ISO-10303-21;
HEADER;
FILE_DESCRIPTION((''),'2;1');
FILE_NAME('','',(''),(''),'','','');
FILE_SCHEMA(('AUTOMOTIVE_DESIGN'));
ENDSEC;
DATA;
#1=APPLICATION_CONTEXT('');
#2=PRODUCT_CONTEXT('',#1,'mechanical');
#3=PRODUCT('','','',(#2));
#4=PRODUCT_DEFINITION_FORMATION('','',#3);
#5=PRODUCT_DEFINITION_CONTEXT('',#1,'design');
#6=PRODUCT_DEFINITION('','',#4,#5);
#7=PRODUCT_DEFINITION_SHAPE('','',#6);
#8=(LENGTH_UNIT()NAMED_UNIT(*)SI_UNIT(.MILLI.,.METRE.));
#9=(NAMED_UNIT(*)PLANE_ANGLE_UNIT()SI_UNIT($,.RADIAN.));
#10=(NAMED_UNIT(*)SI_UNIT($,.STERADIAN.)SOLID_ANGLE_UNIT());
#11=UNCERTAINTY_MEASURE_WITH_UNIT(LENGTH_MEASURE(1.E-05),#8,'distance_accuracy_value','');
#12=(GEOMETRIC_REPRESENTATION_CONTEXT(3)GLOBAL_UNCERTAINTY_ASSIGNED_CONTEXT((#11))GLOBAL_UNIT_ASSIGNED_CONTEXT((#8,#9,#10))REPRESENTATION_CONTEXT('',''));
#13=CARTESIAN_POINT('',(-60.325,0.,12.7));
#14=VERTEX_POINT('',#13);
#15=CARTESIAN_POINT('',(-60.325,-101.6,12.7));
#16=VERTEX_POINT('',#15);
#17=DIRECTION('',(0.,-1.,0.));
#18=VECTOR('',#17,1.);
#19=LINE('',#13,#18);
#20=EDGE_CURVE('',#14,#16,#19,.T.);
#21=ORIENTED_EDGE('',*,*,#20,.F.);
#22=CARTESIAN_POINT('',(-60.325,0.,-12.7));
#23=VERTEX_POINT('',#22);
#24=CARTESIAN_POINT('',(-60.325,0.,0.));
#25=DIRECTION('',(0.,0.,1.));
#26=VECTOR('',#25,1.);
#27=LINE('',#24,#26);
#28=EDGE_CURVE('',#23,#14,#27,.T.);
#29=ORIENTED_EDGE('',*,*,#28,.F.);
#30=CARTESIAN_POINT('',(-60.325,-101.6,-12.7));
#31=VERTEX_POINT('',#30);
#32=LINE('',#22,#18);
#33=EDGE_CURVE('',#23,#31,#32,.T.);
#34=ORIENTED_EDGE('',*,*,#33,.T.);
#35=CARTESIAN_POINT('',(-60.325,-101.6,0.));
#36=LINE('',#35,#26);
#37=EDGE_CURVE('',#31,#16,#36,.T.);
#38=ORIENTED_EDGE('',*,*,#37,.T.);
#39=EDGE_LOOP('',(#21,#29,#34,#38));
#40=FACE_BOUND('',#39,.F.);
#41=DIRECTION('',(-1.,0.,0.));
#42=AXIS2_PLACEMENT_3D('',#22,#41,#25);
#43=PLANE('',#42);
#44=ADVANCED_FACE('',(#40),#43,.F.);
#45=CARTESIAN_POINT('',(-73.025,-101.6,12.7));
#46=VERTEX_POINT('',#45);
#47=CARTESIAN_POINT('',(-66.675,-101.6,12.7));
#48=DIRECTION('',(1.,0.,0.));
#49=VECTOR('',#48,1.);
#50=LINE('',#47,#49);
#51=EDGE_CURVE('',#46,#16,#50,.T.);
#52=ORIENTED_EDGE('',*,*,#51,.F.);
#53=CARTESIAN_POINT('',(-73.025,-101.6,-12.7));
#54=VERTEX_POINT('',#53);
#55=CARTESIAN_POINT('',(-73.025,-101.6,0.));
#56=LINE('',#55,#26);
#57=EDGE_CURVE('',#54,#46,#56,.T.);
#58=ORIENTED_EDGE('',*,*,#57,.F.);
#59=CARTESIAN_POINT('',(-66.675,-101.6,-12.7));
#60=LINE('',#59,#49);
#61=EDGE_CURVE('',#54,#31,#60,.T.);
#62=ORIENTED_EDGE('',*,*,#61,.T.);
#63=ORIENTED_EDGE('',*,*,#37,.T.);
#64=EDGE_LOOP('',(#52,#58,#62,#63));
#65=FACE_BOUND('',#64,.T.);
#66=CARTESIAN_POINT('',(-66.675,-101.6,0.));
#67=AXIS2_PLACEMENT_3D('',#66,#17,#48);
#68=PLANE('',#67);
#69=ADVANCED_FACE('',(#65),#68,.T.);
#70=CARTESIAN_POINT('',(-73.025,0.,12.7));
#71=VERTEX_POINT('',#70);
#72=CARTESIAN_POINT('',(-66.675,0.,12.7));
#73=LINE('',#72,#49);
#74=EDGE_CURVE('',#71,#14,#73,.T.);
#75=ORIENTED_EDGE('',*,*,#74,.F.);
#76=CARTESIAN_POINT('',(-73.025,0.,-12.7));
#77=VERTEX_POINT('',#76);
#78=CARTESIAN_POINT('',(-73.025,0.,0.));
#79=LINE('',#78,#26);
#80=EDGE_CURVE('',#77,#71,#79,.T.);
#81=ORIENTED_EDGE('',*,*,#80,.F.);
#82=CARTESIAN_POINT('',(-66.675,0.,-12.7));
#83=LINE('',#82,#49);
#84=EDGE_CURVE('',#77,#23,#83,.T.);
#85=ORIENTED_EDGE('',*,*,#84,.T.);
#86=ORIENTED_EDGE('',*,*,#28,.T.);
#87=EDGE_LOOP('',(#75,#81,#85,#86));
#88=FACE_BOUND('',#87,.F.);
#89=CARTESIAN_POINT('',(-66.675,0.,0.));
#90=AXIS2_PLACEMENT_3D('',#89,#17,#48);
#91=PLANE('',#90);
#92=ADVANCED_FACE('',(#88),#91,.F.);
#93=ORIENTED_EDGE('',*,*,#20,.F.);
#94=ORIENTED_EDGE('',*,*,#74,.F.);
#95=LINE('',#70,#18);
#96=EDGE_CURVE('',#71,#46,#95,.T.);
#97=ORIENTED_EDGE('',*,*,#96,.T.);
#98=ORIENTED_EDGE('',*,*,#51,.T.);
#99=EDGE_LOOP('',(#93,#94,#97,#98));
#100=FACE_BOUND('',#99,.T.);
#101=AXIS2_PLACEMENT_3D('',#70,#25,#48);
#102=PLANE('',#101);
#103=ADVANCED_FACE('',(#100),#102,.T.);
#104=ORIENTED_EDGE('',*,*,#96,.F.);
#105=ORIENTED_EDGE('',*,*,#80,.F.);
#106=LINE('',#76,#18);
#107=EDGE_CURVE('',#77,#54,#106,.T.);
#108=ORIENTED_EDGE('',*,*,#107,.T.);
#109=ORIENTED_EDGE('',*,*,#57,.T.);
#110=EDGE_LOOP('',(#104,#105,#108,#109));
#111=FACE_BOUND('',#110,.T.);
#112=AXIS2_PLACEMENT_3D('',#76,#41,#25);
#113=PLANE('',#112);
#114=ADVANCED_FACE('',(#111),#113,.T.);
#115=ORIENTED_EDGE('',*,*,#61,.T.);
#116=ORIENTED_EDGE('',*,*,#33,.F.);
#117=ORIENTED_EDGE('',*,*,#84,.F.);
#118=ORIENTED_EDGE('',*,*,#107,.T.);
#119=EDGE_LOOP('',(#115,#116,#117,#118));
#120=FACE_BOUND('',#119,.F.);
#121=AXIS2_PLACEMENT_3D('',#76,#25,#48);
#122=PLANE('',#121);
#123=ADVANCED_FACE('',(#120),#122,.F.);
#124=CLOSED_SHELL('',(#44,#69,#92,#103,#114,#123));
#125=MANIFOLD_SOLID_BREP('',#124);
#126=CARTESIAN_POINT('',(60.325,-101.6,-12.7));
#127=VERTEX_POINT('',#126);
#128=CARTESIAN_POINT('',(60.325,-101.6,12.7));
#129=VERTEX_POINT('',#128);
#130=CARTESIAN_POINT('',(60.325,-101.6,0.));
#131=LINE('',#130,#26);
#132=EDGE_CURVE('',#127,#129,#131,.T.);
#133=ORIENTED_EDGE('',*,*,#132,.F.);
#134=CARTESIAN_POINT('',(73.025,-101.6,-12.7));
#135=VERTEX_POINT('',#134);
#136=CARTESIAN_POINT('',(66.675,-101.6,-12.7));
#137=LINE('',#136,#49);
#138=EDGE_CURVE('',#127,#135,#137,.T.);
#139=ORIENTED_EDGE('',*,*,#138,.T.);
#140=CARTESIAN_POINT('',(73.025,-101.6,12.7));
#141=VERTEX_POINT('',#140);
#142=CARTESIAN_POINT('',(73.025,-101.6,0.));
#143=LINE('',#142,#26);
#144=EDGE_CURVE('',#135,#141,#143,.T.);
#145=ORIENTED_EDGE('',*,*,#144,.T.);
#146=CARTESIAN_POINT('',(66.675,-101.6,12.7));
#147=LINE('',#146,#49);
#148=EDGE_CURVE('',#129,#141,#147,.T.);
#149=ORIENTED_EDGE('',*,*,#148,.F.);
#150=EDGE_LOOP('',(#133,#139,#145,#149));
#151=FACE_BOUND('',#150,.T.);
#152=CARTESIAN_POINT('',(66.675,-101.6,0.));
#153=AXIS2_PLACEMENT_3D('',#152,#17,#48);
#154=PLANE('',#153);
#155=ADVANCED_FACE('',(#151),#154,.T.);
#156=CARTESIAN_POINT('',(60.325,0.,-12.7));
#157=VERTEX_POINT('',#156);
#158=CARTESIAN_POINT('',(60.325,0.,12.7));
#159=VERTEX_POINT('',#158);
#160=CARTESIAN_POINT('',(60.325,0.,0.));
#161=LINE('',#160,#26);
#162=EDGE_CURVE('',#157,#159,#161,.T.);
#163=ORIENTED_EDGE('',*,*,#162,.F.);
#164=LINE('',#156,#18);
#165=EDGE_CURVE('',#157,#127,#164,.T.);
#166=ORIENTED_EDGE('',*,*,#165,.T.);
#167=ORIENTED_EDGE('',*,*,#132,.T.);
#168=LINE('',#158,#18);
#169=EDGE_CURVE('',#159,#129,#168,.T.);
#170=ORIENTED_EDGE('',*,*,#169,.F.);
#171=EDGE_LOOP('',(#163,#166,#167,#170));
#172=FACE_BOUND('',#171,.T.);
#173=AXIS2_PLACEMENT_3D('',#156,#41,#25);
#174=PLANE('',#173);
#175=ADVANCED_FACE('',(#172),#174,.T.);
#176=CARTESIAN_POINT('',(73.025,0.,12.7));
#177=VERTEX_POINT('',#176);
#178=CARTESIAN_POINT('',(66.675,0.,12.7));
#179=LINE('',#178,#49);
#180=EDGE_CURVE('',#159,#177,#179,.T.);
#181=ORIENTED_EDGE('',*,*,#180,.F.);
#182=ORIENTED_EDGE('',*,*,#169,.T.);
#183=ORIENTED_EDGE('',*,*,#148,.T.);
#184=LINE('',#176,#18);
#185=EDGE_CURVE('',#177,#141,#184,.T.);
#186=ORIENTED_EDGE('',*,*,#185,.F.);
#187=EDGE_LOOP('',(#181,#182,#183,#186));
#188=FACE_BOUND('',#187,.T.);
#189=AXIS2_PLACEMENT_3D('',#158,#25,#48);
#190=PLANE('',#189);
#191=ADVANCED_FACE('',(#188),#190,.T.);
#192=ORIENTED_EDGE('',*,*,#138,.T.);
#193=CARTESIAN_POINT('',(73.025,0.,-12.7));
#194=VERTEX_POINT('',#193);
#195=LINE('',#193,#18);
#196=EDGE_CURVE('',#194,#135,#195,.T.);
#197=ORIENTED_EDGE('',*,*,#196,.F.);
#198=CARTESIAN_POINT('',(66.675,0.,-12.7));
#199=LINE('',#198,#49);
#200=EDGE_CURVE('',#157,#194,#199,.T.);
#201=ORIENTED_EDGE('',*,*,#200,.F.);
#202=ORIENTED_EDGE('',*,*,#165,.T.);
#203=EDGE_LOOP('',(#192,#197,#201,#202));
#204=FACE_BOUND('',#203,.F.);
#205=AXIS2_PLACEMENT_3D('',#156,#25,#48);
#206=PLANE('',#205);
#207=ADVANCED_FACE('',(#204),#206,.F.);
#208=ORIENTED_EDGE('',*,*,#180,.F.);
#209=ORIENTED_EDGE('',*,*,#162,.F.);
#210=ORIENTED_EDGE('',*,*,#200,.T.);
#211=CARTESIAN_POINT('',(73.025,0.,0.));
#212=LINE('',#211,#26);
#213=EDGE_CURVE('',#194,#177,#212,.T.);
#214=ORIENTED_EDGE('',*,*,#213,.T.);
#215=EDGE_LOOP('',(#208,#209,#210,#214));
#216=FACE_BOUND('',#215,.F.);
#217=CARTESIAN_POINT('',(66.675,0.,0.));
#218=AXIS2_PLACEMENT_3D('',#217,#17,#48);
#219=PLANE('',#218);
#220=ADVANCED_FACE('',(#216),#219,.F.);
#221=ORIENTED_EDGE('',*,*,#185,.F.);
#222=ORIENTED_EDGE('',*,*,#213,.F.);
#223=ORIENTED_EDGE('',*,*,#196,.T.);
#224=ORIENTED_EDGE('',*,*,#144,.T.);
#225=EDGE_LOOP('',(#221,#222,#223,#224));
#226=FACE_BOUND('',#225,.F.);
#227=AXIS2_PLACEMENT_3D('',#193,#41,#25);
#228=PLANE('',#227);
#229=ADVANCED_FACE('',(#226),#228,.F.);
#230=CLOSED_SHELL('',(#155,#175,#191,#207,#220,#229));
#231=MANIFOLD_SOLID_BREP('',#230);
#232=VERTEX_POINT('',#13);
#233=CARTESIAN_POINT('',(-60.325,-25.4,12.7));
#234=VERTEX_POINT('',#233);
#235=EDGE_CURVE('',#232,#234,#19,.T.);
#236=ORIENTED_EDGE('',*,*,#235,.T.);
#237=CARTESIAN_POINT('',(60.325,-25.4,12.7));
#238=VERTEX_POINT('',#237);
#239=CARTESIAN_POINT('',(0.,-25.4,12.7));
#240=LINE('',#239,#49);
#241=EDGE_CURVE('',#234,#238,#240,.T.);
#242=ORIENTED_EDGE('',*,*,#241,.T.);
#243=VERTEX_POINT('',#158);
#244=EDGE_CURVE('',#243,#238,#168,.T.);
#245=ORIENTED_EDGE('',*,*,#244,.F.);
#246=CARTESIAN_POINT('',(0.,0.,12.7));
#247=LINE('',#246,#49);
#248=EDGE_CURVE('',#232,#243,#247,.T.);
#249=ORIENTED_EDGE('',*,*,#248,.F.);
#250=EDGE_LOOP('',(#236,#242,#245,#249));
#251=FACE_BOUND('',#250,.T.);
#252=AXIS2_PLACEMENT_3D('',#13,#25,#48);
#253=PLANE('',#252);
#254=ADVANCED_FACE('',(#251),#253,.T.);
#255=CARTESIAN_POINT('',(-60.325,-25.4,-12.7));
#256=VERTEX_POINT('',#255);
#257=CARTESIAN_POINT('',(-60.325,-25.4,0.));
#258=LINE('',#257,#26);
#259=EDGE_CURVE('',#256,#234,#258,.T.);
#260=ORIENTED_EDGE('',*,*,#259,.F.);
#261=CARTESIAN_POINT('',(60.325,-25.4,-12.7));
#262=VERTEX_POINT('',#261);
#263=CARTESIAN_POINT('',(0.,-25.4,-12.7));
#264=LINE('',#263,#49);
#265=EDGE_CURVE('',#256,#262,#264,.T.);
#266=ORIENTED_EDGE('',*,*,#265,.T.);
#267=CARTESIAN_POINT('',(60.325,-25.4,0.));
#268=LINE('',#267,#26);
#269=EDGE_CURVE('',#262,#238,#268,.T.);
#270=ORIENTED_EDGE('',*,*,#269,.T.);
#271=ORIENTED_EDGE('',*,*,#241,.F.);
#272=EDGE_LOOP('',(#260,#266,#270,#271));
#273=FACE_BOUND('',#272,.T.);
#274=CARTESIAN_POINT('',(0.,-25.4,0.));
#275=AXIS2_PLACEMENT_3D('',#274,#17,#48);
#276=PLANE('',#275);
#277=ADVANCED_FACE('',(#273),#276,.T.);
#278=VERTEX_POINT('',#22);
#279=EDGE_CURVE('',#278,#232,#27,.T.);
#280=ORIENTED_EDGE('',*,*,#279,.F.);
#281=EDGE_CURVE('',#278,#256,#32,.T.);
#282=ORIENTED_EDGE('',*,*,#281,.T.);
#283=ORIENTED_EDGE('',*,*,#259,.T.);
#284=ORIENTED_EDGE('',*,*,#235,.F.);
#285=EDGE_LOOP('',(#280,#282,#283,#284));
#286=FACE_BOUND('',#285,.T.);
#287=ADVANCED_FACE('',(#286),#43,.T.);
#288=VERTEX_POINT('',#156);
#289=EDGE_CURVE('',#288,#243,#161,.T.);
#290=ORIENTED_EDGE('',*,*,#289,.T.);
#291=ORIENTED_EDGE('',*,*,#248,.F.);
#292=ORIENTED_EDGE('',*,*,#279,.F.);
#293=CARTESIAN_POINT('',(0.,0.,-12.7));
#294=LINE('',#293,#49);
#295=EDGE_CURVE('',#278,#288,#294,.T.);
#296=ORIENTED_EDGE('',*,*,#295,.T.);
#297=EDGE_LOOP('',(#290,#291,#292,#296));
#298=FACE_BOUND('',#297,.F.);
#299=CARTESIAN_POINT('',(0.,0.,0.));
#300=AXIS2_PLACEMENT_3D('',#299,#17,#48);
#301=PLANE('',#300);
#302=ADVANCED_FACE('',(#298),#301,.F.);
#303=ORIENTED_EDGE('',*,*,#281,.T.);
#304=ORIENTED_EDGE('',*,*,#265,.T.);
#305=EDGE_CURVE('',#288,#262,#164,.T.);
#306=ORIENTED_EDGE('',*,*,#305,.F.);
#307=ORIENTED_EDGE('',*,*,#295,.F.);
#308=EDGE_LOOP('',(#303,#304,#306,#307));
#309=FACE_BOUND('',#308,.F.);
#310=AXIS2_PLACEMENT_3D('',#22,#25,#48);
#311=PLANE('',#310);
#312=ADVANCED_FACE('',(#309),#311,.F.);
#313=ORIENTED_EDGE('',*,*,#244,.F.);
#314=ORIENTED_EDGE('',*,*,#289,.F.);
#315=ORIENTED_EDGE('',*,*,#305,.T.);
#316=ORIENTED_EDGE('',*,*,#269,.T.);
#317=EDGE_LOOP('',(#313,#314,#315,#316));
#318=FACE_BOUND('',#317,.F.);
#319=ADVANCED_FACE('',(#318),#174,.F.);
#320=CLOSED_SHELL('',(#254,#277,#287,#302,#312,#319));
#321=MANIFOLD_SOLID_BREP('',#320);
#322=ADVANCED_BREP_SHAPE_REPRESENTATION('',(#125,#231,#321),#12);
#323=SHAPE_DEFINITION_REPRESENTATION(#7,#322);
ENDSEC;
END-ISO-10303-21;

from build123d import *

# Parameters (mm, degrees)
F0_W     = 120.65
F0_H     = 25.4
F1_DEPTH = 25.4
F0_W_2   = 12.7
F2_DEPTH = 101.6


with BuildPart() as f1:
    # F0 (on Front) → F1 (new body)
    with BuildSketch(Plane.XZ):
        Rectangle(F0_W, F0_H)
    extrude(amount=F1_DEPTH)


with BuildPart() as f2:
    # F0 (on Front) → F2 (new body)
    with BuildSketch(Plane.XZ):
        with Locations((-66.675, 0)):
            Rectangle(F0_W_2, F0_H)
        with Locations((66.675, 0)):
            Rectangle(F0_W_2, F0_H)
    extrude(amount=F2_DEPTH)


solid = Compound([f1.part, f2.part])
